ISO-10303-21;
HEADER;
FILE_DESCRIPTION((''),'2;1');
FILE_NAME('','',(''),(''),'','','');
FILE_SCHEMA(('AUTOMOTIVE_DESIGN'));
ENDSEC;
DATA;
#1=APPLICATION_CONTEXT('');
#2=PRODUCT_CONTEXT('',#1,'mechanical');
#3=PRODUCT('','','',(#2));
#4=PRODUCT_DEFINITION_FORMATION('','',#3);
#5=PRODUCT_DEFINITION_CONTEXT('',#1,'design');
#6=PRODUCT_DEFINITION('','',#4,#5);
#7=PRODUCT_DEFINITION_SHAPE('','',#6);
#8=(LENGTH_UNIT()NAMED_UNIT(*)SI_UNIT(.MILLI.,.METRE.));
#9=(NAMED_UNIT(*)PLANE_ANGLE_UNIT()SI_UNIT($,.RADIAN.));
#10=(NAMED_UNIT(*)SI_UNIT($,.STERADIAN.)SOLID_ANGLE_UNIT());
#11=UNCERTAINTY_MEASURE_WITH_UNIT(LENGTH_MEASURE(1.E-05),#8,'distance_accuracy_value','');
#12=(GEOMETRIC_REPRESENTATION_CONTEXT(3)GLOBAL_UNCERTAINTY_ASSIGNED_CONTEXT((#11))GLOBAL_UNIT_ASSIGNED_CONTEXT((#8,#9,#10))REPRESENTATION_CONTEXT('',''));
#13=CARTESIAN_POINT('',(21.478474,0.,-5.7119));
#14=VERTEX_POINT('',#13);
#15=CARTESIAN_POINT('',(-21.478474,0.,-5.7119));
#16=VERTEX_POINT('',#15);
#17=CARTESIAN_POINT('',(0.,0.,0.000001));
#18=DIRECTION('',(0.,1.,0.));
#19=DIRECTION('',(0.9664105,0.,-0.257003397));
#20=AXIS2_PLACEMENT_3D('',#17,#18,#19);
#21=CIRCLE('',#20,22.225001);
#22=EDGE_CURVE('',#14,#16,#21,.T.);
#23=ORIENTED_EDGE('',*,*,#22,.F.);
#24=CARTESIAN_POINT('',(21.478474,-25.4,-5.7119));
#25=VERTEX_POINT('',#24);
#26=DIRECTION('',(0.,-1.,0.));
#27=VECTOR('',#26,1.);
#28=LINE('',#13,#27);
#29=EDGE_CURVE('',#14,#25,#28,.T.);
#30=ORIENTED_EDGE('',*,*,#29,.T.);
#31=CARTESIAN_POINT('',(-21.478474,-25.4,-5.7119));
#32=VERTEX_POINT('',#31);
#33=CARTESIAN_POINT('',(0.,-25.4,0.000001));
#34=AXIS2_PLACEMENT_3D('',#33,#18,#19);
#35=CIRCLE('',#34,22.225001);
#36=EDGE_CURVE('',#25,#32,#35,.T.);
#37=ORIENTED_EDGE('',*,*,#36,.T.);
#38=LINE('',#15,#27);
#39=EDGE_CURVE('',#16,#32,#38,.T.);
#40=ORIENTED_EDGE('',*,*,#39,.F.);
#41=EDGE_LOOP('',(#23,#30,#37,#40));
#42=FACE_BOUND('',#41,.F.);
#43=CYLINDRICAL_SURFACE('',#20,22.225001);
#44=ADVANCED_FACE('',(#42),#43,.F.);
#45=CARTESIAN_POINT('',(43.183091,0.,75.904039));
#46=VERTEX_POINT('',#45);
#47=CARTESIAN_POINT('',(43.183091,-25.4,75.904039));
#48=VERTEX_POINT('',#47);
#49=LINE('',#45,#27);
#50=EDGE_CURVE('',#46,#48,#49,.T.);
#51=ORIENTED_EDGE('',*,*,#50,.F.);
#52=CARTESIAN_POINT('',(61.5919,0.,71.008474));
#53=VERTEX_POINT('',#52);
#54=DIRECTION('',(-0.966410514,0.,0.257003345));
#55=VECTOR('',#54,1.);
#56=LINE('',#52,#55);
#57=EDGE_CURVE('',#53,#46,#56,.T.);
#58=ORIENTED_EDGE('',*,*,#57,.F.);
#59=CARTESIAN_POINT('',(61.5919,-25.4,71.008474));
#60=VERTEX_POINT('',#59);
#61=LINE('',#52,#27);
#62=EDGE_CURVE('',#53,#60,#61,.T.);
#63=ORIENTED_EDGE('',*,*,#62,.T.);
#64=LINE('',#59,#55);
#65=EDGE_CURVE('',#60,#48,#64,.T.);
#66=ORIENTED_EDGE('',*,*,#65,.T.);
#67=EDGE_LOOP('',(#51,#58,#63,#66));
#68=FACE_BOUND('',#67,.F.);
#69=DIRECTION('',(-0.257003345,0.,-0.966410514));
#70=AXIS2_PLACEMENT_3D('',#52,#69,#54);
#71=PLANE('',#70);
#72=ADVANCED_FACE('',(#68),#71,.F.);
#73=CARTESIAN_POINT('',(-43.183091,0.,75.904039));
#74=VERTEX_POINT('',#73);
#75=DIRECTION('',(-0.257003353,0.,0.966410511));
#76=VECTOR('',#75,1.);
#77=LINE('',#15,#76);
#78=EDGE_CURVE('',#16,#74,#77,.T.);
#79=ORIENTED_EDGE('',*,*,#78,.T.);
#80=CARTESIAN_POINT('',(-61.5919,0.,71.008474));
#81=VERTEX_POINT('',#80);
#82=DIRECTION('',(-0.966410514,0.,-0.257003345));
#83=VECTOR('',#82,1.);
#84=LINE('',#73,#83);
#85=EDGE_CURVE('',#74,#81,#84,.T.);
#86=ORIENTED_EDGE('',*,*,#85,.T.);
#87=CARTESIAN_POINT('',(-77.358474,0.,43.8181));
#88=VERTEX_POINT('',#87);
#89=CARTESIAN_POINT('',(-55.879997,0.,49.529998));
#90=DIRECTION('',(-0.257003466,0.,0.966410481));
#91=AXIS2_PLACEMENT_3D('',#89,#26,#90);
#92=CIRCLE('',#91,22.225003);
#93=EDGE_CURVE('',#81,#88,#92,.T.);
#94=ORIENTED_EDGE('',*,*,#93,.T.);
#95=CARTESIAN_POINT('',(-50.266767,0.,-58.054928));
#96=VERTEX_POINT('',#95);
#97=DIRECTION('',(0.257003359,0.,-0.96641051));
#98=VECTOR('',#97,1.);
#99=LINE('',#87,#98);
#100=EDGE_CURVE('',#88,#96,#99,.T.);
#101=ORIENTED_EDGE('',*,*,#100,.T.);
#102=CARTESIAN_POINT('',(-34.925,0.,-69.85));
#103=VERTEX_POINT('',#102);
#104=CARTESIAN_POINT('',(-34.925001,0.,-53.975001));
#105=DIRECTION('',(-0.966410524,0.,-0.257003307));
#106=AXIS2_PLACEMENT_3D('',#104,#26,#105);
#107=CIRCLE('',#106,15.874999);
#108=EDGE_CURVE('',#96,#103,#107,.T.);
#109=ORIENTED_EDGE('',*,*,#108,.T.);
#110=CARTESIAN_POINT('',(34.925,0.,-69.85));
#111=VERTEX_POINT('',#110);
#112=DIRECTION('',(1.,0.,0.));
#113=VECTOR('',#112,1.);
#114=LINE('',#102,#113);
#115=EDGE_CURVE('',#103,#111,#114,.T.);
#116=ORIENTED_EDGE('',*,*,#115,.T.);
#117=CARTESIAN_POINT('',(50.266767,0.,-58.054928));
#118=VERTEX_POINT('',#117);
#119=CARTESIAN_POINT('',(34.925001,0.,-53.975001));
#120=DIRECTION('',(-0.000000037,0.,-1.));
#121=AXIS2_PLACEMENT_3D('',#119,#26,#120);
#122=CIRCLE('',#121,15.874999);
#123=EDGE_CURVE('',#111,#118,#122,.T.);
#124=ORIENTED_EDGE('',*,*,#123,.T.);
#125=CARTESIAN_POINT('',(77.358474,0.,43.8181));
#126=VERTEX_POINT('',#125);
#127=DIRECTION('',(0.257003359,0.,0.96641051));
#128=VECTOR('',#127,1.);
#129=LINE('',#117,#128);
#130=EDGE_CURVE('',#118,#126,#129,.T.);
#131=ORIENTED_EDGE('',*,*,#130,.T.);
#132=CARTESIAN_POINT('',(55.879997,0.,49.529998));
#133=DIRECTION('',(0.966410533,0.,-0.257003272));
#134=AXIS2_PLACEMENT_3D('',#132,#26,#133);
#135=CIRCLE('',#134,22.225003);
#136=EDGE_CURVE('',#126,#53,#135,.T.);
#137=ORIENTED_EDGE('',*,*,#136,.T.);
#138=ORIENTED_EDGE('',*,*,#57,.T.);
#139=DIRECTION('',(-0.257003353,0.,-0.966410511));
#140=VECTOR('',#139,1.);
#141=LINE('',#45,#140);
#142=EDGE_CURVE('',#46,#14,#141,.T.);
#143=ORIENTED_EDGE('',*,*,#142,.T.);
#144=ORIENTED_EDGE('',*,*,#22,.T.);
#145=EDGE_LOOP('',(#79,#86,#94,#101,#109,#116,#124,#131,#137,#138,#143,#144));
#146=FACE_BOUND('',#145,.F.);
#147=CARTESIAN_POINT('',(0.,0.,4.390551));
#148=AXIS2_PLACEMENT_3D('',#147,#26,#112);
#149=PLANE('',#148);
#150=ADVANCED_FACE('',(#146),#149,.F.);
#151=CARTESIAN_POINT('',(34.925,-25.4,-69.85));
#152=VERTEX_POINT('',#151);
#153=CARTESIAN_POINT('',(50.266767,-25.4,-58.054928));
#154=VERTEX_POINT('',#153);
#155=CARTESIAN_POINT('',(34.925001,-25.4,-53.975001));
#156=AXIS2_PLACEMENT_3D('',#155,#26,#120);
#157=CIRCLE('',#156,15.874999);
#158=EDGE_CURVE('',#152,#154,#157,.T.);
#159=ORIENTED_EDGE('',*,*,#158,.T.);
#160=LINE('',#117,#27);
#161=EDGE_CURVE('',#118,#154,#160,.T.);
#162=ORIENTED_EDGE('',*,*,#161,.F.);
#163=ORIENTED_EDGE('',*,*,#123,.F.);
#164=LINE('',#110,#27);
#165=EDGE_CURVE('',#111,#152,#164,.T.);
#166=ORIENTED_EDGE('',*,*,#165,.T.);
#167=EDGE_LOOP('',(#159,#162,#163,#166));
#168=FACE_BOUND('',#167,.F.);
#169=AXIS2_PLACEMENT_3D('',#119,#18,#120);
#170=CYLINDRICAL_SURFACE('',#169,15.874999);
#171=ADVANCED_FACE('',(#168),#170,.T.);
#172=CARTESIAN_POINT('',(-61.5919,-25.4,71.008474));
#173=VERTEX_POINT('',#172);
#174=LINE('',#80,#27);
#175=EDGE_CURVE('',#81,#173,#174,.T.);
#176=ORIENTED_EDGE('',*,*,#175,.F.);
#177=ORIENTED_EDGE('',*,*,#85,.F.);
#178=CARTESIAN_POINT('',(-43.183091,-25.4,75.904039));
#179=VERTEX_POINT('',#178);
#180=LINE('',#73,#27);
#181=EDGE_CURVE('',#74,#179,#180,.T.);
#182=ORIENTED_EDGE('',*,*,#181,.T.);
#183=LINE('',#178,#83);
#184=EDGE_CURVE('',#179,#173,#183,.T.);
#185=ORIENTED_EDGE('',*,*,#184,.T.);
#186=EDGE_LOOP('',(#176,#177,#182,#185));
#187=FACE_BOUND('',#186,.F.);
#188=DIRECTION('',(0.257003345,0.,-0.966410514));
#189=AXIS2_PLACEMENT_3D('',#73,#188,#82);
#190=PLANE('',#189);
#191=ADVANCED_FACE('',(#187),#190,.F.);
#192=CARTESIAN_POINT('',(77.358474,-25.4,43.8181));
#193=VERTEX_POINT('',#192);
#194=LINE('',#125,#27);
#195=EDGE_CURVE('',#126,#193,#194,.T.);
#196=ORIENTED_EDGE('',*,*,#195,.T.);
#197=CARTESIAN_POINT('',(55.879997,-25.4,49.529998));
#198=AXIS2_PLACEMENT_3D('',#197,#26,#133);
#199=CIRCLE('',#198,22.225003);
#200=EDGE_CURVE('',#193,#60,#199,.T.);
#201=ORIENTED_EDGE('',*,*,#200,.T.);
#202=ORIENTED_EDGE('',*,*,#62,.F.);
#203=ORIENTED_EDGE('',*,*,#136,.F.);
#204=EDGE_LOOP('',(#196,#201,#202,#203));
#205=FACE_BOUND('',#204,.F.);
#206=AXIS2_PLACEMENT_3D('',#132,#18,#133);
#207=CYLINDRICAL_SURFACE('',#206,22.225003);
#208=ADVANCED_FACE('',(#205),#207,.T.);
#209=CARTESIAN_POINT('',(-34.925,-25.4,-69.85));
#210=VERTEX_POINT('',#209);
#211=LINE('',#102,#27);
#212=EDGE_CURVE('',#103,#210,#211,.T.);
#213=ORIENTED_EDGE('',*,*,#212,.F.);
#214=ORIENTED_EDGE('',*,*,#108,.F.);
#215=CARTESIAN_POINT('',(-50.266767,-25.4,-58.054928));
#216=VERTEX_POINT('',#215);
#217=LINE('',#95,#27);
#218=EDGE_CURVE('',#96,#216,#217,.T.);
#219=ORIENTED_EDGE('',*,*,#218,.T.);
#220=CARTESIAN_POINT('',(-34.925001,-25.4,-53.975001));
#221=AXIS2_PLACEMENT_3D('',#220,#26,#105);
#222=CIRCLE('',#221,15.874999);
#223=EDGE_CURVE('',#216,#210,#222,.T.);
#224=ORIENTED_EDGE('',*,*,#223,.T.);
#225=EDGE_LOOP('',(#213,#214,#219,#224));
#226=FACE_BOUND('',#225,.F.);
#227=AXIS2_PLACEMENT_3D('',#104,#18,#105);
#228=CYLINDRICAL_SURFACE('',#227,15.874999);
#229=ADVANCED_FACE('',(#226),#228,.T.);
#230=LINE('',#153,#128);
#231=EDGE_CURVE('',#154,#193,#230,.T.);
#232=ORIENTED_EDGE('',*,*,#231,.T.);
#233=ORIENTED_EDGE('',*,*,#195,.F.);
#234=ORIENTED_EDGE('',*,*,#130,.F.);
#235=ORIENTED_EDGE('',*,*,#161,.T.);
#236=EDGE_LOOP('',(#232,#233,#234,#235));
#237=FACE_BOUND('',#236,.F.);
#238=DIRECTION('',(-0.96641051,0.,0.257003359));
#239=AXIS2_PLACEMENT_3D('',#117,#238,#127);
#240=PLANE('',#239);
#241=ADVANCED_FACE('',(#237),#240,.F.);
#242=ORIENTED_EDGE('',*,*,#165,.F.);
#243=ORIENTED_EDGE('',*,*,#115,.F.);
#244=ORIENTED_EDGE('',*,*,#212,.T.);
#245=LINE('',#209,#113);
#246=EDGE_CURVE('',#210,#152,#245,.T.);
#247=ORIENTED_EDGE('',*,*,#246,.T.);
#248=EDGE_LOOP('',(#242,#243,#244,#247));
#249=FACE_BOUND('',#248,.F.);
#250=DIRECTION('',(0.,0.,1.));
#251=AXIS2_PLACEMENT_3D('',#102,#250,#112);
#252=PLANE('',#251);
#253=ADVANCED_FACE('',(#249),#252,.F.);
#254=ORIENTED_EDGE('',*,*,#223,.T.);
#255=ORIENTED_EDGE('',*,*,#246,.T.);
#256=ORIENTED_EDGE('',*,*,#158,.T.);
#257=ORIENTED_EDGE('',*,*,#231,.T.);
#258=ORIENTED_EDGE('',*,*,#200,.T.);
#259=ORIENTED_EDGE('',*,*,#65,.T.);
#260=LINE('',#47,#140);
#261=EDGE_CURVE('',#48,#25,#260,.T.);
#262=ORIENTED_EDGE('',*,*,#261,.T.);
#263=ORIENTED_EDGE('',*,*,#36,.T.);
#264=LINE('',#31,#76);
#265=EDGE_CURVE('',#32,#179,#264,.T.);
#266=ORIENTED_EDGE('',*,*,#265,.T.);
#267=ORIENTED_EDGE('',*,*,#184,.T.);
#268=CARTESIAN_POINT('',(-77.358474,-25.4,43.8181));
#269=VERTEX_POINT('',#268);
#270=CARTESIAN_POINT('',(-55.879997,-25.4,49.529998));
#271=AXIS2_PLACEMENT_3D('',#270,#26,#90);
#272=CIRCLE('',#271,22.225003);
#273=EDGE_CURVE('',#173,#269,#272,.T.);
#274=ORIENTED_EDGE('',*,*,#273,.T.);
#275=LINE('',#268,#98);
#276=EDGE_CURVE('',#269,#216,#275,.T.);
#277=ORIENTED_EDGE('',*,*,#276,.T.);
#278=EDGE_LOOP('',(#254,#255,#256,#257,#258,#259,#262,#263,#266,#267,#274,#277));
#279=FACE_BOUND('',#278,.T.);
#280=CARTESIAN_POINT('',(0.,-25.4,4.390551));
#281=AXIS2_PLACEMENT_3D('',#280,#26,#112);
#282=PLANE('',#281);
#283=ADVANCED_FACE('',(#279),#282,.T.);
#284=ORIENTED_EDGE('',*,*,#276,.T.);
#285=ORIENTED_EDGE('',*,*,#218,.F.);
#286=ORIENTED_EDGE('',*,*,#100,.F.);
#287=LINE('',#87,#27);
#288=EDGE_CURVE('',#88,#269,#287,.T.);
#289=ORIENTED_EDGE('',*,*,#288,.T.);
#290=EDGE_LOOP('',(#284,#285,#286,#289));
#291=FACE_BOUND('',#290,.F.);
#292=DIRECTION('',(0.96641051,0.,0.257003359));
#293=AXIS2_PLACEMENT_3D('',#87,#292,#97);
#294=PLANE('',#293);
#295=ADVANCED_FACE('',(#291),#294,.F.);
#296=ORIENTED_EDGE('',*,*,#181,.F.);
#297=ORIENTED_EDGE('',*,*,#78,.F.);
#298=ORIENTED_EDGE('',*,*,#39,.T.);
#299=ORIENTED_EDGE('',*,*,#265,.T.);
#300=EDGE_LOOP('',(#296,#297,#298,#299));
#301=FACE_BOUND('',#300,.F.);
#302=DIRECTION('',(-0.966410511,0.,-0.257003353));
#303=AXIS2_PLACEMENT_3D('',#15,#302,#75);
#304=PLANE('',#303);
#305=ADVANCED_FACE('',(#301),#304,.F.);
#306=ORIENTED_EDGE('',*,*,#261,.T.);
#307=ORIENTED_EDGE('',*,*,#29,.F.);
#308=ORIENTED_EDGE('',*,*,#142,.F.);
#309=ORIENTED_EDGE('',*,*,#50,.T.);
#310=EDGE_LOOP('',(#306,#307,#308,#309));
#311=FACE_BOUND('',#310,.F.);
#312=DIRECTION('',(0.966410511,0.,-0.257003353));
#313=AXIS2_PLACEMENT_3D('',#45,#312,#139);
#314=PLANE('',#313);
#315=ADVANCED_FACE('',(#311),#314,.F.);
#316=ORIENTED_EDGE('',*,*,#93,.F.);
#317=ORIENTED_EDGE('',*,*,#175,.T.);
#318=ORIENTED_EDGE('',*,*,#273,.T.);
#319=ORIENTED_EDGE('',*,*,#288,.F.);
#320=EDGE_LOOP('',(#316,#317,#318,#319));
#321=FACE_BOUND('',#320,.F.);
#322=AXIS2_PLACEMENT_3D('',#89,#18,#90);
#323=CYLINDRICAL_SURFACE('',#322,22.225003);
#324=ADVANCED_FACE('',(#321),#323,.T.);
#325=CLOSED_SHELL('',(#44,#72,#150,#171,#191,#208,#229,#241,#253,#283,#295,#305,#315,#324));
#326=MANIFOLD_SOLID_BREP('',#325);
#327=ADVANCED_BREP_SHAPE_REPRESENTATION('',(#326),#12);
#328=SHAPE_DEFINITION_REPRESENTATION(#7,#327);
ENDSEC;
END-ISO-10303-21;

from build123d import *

# Parameters (mm, degrees)
F1_DEPTH = 25.4


with BuildPart() as f1:
    # F0 (on Front) → F1 (new body)
    with BuildSketch(Plane.XZ):
        with BuildLine():
            ThreePointArc((-50.266767, -58.054928), (-44.600918, -66.560398), (-34.925, -69.85))
            Line((-34.925, -69.85), (34.925, -69.85))
            ThreePointArc((34.925, -69.85), (44.600918, -66.560398), (50.266767, -58.054928))
            Line((50.266767, -58.054928), (77.358474, 43.8181))
            ThreePointArc((77.358474, 43.8181), (75.106497, 60.678651), (61.5919, 71.008474))
            Line((61.5919, 71.008474), (43.183091, 75.904039))
            Line((43.183091, 75.904039), (21.478474, -5.7119))
            ThreePointArc((21.478474, -5.7119), (0, -22.225), (-21.478474, -5.7119))
            Line((-21.478474, -5.7119), (-43.183091, 75.904039))
            Line((-43.183091, 75.904039), (-61.5919, 71.008474))
            ThreePointArc((-61.5919, 71.008474), (-75.106497, 60.678651), (-77.358474, 43.8181))
            Line((-77.358474, 43.8181), (-50.266767, -58.054928))
        make_face()
    extrude(amount=F1_DEPTH)


solid = f1.part
